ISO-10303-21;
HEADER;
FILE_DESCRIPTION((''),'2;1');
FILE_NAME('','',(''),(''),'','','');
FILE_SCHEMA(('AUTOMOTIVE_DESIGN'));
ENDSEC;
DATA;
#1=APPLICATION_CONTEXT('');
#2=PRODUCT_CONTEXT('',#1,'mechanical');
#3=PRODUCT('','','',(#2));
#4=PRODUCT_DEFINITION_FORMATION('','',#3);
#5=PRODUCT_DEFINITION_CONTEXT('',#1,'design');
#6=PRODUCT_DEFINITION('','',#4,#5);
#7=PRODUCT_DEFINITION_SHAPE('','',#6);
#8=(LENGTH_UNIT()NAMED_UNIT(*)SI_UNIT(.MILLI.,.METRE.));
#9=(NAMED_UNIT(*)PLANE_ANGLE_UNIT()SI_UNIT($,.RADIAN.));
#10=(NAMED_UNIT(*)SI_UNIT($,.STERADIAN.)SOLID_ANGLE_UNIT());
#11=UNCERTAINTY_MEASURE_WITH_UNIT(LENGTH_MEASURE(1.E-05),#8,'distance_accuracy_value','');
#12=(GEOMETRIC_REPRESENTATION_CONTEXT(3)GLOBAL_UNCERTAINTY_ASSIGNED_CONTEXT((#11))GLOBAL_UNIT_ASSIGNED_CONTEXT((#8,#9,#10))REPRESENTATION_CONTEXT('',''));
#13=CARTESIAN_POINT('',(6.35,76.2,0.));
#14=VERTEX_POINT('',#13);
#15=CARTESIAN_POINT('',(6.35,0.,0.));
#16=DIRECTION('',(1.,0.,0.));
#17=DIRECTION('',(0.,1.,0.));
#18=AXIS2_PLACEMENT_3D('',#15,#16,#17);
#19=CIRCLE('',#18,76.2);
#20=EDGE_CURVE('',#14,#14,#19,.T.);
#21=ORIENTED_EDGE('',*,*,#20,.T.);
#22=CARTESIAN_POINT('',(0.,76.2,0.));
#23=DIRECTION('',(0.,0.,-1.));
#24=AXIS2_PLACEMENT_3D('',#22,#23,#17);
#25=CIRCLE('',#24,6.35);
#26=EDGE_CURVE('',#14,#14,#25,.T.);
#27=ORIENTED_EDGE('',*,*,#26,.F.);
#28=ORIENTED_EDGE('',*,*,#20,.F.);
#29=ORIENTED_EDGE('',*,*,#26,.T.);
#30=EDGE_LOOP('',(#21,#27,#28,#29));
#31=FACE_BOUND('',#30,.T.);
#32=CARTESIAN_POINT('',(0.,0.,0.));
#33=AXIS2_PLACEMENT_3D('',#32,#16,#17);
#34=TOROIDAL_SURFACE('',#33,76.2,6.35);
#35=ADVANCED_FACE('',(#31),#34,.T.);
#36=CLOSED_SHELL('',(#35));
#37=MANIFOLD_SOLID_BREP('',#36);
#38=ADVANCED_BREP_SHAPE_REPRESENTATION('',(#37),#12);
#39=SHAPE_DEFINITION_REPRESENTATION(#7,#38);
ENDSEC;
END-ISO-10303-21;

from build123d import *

# Parameters (mm, degrees)
F0_R = 6.35


with BuildPart() as f2:
    # F2: sweep along a path in F1
    with BuildLine(Plane.YZ) as f2_path:
        CenterArc((0, 0), 76.2, 0, 360)
    # F0 (on Front) → F2 (sweep)
    with BuildSketch(Plane.XZ):
        with Locations((0, 76.2)):
            Circle(F0_R)
    sweep(path=f2_path.line)


solid = f2.part
